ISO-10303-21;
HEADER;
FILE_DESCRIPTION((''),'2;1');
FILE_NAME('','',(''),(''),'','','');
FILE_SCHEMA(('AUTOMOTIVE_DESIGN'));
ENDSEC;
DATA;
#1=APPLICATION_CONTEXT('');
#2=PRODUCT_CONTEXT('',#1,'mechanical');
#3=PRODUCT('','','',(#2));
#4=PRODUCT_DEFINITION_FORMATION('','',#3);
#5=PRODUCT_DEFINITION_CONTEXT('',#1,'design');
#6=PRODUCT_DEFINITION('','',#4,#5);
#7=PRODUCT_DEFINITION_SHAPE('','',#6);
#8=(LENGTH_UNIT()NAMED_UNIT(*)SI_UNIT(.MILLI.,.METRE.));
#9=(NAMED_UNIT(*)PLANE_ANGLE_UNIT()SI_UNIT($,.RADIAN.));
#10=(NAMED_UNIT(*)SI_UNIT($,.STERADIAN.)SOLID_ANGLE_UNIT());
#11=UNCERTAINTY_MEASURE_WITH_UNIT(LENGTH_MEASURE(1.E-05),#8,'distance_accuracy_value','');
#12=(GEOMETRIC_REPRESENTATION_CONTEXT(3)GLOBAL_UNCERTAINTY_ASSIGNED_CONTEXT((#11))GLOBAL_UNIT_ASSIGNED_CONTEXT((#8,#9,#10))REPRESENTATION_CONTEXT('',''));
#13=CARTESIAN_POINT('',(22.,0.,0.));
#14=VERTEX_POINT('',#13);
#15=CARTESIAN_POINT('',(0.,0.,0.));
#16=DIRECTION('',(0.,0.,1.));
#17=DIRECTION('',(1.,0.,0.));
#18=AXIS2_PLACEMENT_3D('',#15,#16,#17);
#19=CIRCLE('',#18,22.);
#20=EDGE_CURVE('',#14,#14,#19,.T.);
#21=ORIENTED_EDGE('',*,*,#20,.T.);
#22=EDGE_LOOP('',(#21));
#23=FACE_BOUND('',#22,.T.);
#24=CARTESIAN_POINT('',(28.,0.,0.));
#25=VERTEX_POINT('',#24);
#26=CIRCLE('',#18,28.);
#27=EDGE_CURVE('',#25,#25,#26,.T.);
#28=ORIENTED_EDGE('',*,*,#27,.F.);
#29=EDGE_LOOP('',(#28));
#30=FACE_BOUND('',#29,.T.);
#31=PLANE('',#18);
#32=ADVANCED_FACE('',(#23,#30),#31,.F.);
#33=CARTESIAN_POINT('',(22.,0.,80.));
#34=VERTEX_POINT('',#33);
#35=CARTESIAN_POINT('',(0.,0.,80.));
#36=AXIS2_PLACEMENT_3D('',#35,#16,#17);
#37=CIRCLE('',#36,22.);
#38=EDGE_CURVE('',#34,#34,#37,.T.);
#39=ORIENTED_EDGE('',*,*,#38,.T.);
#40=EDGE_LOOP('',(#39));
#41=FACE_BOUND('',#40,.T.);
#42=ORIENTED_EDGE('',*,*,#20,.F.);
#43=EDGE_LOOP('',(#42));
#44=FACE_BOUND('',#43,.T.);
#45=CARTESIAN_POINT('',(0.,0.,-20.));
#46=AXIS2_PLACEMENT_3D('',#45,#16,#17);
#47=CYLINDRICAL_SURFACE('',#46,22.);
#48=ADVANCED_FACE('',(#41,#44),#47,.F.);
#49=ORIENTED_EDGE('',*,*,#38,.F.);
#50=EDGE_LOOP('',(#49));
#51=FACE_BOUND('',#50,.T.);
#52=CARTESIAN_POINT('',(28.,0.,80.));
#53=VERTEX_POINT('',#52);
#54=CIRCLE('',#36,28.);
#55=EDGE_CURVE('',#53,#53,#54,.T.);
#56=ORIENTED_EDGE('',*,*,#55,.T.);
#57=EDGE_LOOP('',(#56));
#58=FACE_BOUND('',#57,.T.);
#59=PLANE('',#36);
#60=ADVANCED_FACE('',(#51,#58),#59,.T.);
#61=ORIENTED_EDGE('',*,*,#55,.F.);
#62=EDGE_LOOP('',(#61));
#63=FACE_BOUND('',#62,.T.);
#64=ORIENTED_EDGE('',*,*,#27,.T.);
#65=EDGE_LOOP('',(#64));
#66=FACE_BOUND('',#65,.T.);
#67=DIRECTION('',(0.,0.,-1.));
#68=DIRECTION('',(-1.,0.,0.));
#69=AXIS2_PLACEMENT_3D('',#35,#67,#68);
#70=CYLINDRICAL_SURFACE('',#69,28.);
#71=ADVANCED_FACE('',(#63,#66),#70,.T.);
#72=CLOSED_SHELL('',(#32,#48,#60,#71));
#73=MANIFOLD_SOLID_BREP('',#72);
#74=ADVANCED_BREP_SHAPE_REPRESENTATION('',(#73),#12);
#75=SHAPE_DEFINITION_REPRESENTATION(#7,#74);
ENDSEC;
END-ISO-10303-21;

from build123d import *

# Parameters (mm, degrees)
ESQUISSE1_R             = 28
BOSS_EXTRU_1_DEPTH      = 80
ESQUISSE2_R             = 22
ENL_V_MAT_EXTRU_2_DEPTH = 100


with BuildPart() as part:
    # Esquisse1 → Boss.-Extru.1 (new body)
    with BuildSketch(Plane.XY):
        Circle(ESQUISSE1_R)
    extrude(amount=BOSS_EXTRU_1_DEPTH)

    # Esquisse2 → Enlèv. mat.-Extru.2 (cut)
    with BuildSketch(Plane.XY.offset(80)):
        Circle(ESQUISSE2_R)
    extrude(amount=-ENL_V_MAT_EXTRU_2_DEPTH, mode=Mode.SUBTRACT)


solid = part.part
